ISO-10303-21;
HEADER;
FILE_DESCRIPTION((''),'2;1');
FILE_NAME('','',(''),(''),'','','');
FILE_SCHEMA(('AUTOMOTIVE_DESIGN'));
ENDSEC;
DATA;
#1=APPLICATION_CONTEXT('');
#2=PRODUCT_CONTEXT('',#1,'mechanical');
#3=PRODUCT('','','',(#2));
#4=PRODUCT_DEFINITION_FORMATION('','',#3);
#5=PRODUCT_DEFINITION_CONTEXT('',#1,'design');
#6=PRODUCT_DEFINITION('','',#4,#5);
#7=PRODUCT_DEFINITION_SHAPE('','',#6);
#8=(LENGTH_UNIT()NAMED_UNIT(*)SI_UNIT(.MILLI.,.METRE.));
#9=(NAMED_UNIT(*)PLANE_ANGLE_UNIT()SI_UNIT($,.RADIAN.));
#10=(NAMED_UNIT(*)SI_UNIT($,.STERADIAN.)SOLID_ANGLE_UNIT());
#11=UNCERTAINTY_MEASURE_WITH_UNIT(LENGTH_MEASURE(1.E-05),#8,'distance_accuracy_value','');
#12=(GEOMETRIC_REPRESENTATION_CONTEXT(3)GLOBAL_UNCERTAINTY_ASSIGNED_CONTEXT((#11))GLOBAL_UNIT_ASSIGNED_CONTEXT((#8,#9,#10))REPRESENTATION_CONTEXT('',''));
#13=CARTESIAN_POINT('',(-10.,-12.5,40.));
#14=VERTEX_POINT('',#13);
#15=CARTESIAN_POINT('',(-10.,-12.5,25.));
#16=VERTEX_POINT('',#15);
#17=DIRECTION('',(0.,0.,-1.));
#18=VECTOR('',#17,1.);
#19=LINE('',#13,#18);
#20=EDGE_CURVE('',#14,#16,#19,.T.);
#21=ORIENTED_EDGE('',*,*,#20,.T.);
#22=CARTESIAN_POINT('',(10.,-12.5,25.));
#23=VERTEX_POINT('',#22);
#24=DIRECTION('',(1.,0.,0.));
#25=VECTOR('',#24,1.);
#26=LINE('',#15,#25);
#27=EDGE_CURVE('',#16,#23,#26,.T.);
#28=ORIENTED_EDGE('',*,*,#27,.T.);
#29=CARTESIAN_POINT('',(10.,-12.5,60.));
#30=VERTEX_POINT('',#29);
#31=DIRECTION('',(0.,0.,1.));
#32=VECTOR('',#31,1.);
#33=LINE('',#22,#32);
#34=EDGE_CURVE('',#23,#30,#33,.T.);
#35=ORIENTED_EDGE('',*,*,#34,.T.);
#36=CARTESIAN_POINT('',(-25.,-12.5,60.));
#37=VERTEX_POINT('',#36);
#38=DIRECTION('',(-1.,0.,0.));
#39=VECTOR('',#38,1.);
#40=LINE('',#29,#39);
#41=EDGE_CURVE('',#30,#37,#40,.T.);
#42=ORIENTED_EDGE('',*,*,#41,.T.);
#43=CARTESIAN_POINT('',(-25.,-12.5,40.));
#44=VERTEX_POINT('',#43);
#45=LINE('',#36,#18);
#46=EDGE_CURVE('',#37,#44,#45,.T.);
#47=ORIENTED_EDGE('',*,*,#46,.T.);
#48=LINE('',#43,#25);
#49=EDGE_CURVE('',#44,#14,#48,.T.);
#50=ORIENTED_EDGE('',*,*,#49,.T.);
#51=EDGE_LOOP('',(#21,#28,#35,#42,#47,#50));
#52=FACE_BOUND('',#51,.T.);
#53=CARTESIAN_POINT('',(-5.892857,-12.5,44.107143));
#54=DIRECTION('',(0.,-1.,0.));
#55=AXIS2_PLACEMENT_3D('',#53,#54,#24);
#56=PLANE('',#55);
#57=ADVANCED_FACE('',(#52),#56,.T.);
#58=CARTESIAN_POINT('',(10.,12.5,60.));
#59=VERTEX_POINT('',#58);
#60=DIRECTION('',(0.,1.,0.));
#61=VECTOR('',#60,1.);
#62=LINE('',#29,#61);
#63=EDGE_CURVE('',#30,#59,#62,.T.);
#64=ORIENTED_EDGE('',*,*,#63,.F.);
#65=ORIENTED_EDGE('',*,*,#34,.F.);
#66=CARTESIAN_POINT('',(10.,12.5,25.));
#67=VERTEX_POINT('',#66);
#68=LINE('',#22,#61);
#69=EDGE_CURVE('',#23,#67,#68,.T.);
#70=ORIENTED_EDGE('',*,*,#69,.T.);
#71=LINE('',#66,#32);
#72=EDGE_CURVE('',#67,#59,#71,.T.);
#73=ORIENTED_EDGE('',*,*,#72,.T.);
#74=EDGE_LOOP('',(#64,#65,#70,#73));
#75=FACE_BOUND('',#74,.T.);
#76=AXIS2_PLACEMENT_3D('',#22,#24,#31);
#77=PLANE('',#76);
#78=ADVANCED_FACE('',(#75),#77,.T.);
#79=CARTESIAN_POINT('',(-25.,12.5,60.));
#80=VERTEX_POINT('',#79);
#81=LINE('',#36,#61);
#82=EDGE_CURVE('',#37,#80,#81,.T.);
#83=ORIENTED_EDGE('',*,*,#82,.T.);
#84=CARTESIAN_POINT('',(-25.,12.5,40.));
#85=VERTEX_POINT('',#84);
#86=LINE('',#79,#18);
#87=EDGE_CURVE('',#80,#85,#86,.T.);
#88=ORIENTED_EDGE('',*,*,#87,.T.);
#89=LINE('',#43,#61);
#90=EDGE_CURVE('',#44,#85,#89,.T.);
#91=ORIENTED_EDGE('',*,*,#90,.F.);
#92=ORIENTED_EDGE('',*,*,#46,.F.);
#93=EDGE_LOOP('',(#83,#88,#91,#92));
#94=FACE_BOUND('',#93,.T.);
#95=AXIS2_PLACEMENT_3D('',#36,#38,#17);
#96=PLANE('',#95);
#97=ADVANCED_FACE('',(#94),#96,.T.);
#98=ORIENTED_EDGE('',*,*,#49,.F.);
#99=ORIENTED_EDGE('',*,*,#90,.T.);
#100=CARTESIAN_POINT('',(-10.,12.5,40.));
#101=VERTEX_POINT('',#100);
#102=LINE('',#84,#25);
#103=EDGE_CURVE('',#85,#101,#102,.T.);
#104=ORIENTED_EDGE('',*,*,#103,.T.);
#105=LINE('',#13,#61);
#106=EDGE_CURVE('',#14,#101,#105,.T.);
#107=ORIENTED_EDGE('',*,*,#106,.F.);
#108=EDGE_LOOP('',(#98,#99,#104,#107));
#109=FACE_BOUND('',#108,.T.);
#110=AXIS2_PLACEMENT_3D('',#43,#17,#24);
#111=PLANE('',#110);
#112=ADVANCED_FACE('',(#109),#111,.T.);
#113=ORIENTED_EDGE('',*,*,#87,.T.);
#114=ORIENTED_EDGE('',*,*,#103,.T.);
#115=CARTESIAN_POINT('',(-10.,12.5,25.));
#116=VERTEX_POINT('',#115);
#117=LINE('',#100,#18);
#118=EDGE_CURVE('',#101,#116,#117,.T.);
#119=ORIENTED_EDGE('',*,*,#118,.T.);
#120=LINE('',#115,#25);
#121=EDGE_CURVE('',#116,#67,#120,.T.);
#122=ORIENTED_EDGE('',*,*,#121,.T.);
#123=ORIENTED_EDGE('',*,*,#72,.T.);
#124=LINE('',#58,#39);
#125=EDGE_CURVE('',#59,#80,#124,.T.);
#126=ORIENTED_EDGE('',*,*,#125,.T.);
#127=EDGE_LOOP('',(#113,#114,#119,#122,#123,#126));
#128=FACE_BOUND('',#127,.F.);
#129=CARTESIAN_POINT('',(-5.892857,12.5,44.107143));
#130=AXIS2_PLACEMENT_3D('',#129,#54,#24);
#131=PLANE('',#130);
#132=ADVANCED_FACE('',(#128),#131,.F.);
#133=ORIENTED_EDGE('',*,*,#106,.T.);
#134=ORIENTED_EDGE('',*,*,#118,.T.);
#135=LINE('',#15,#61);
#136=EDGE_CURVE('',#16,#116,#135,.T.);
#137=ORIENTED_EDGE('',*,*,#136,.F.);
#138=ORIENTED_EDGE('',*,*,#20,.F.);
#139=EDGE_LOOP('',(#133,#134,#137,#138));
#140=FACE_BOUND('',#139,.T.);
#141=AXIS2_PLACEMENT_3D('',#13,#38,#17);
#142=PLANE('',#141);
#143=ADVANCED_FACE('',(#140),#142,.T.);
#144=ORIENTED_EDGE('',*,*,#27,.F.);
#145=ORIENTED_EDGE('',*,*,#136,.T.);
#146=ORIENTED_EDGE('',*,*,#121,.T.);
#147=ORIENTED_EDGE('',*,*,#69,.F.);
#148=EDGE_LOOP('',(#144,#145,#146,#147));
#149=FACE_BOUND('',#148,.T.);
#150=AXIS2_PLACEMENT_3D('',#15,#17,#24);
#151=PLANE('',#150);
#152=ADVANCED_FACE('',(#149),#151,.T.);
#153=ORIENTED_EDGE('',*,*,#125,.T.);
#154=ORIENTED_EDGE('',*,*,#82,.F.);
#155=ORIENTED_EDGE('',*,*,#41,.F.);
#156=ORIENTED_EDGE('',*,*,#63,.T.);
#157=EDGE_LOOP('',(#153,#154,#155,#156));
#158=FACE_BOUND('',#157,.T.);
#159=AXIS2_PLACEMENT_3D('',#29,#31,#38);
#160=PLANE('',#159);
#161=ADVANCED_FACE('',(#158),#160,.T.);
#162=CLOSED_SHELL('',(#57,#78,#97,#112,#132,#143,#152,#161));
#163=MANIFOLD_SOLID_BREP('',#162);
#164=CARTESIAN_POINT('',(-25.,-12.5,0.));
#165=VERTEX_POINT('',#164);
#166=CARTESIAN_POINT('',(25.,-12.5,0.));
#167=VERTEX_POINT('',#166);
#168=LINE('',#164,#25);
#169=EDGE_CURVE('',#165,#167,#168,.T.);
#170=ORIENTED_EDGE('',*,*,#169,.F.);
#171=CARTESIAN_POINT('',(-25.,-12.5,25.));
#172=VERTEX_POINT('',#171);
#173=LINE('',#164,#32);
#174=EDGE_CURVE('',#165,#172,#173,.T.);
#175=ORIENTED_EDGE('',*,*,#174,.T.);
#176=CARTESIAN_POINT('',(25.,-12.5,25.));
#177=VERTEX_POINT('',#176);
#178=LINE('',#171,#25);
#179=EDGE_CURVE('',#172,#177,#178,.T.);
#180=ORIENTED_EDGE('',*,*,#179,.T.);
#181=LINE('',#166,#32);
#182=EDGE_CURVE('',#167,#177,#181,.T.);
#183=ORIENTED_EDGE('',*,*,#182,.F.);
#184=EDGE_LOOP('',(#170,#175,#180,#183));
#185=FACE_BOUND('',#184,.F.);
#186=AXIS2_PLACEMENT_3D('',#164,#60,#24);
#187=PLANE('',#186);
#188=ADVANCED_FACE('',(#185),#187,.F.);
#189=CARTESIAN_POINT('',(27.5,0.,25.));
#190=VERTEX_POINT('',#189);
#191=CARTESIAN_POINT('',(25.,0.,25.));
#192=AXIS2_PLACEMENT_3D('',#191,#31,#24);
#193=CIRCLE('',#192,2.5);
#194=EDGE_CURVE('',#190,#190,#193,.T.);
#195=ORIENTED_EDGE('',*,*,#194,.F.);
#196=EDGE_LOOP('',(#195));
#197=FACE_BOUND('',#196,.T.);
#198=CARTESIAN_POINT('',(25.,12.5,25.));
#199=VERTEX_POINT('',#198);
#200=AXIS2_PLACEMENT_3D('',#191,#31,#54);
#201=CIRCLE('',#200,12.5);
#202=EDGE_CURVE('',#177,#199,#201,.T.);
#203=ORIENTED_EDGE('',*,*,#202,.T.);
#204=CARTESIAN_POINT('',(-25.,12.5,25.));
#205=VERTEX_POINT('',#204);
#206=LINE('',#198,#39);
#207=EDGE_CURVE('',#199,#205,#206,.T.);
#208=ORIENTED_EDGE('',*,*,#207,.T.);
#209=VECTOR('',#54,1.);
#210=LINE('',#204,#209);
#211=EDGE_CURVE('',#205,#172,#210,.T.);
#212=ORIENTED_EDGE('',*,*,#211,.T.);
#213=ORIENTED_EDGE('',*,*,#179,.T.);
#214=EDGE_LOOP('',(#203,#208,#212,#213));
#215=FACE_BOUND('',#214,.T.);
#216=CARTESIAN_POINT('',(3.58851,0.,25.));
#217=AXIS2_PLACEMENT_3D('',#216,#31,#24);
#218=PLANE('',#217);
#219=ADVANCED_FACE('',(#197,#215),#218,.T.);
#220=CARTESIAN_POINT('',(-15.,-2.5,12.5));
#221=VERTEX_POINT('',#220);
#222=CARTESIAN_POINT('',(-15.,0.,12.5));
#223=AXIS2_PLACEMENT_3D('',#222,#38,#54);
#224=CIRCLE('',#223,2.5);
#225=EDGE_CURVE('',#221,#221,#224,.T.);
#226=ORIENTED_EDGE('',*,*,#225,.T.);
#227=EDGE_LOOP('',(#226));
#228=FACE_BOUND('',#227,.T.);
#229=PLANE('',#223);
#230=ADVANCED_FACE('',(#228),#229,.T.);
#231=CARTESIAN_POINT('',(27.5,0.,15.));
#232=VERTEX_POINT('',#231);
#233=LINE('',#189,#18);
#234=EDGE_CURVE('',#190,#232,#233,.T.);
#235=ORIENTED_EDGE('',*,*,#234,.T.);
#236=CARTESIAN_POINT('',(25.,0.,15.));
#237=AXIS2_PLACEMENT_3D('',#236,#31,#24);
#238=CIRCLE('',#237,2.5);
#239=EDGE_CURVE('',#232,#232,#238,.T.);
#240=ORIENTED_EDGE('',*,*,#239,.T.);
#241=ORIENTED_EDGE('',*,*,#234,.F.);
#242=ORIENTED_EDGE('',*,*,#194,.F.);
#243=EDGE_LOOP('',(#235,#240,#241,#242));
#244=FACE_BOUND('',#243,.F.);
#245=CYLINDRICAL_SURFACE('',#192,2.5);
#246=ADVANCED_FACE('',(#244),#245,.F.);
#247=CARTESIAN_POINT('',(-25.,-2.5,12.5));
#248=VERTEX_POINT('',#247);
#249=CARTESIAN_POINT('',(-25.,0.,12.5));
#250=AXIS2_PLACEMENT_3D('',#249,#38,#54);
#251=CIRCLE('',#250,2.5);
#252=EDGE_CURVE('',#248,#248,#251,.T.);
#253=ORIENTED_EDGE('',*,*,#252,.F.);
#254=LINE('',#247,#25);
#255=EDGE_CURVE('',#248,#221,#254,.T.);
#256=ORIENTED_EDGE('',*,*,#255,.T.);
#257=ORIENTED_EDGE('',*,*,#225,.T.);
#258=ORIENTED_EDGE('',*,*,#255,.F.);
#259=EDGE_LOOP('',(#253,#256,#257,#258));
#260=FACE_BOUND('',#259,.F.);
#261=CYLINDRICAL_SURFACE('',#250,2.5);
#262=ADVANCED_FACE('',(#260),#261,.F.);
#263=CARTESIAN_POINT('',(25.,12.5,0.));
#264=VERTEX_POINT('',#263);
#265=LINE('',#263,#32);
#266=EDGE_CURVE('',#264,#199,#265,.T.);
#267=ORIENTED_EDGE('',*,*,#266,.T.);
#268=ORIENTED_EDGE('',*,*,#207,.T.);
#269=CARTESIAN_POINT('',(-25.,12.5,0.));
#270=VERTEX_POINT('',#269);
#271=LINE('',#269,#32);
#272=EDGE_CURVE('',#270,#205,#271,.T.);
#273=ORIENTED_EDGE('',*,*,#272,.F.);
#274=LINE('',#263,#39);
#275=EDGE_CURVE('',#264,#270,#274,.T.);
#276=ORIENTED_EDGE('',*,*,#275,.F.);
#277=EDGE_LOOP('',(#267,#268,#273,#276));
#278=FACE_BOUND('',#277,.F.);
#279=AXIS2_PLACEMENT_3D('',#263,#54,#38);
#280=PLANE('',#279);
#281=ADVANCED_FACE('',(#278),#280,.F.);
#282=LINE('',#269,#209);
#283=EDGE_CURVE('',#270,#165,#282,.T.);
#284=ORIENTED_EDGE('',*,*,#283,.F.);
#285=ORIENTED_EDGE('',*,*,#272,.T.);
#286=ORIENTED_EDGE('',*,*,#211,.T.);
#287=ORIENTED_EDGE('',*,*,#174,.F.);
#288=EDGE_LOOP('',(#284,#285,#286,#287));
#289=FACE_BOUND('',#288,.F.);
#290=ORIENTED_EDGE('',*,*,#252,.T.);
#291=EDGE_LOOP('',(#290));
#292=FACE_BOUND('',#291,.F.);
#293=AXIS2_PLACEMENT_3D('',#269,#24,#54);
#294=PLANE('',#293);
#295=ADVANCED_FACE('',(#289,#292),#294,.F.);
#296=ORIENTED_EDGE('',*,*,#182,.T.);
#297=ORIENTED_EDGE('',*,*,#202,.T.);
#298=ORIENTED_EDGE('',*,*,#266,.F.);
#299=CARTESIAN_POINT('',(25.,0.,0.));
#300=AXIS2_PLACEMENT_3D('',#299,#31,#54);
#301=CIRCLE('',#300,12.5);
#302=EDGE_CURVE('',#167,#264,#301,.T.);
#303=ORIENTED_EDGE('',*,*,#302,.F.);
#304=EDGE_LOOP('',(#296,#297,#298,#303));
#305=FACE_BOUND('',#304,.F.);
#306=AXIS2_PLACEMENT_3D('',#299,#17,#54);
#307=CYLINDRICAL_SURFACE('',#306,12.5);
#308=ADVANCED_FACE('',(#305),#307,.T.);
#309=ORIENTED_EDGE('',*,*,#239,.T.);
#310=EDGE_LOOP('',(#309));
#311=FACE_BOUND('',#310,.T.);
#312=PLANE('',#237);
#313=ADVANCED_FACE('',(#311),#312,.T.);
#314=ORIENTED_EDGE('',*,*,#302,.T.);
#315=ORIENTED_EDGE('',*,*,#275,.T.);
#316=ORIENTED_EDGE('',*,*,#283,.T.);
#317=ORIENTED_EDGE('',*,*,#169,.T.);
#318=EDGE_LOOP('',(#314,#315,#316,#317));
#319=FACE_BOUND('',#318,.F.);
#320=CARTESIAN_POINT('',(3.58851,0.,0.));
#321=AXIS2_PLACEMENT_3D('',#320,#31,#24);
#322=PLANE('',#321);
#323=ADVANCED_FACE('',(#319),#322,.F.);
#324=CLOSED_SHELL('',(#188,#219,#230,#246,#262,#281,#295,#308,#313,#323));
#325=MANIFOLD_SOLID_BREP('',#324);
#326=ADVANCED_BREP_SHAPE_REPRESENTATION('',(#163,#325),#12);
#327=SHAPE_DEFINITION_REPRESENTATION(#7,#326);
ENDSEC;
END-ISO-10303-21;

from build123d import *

# Parameters (mm, degrees)
F1_DEPTH = 25
F2_R     = 2.5
F3_DEPTH = 10
F4_R     = 2.5
F5_DEPTH = 10
F7_DEPTH = 25


with BuildPart() as f1:
    # F0 (on Top) → F1 (new body)
    with BuildSketch(Plane.XY):
        with BuildLine():
            ThreePointArc((25, -12.5), (37.5, 0), (25, 12.5))
            Line((25, 12.5), (-25, 12.5))
            Line((-25, 12.5), (-25, -12.5))
            Line((-25, -12.5), (25, -12.5))
        make_face()
    extrude(amount=F1_DEPTH)

    # F2 (on face) → F3 (cut)
    with BuildSketch(Plane.XY.offset(25)):
        with Locations((25, 0)):
            Circle(F2_R)
    extrude(amount=-F3_DEPTH, mode=Mode.SUBTRACT)

    # F4 (on face) → F5 (cut)
    with BuildSketch(Plane(origin=(-25, 0, 0), x_dir=(0, -1, 0), z_dir=(-1, 0, 0))):
        with Locations((0, 12.5)):
            Circle(F4_R)
    extrude(amount=-F5_DEPTH, mode=Mode.SUBTRACT)


with BuildPart() as f7:
    # F6 (on face) → F7 (new body)
    with BuildSketch(Plane.XZ.offset(12.5)):
        Polygon((-10, 40), (-10, 25), (10, 25), (10, 60), (-25, 60), (-25, 40), align=None)
    extrude(amount=-F7_DEPTH)


solid = Compound([f1.part, f7.part])
